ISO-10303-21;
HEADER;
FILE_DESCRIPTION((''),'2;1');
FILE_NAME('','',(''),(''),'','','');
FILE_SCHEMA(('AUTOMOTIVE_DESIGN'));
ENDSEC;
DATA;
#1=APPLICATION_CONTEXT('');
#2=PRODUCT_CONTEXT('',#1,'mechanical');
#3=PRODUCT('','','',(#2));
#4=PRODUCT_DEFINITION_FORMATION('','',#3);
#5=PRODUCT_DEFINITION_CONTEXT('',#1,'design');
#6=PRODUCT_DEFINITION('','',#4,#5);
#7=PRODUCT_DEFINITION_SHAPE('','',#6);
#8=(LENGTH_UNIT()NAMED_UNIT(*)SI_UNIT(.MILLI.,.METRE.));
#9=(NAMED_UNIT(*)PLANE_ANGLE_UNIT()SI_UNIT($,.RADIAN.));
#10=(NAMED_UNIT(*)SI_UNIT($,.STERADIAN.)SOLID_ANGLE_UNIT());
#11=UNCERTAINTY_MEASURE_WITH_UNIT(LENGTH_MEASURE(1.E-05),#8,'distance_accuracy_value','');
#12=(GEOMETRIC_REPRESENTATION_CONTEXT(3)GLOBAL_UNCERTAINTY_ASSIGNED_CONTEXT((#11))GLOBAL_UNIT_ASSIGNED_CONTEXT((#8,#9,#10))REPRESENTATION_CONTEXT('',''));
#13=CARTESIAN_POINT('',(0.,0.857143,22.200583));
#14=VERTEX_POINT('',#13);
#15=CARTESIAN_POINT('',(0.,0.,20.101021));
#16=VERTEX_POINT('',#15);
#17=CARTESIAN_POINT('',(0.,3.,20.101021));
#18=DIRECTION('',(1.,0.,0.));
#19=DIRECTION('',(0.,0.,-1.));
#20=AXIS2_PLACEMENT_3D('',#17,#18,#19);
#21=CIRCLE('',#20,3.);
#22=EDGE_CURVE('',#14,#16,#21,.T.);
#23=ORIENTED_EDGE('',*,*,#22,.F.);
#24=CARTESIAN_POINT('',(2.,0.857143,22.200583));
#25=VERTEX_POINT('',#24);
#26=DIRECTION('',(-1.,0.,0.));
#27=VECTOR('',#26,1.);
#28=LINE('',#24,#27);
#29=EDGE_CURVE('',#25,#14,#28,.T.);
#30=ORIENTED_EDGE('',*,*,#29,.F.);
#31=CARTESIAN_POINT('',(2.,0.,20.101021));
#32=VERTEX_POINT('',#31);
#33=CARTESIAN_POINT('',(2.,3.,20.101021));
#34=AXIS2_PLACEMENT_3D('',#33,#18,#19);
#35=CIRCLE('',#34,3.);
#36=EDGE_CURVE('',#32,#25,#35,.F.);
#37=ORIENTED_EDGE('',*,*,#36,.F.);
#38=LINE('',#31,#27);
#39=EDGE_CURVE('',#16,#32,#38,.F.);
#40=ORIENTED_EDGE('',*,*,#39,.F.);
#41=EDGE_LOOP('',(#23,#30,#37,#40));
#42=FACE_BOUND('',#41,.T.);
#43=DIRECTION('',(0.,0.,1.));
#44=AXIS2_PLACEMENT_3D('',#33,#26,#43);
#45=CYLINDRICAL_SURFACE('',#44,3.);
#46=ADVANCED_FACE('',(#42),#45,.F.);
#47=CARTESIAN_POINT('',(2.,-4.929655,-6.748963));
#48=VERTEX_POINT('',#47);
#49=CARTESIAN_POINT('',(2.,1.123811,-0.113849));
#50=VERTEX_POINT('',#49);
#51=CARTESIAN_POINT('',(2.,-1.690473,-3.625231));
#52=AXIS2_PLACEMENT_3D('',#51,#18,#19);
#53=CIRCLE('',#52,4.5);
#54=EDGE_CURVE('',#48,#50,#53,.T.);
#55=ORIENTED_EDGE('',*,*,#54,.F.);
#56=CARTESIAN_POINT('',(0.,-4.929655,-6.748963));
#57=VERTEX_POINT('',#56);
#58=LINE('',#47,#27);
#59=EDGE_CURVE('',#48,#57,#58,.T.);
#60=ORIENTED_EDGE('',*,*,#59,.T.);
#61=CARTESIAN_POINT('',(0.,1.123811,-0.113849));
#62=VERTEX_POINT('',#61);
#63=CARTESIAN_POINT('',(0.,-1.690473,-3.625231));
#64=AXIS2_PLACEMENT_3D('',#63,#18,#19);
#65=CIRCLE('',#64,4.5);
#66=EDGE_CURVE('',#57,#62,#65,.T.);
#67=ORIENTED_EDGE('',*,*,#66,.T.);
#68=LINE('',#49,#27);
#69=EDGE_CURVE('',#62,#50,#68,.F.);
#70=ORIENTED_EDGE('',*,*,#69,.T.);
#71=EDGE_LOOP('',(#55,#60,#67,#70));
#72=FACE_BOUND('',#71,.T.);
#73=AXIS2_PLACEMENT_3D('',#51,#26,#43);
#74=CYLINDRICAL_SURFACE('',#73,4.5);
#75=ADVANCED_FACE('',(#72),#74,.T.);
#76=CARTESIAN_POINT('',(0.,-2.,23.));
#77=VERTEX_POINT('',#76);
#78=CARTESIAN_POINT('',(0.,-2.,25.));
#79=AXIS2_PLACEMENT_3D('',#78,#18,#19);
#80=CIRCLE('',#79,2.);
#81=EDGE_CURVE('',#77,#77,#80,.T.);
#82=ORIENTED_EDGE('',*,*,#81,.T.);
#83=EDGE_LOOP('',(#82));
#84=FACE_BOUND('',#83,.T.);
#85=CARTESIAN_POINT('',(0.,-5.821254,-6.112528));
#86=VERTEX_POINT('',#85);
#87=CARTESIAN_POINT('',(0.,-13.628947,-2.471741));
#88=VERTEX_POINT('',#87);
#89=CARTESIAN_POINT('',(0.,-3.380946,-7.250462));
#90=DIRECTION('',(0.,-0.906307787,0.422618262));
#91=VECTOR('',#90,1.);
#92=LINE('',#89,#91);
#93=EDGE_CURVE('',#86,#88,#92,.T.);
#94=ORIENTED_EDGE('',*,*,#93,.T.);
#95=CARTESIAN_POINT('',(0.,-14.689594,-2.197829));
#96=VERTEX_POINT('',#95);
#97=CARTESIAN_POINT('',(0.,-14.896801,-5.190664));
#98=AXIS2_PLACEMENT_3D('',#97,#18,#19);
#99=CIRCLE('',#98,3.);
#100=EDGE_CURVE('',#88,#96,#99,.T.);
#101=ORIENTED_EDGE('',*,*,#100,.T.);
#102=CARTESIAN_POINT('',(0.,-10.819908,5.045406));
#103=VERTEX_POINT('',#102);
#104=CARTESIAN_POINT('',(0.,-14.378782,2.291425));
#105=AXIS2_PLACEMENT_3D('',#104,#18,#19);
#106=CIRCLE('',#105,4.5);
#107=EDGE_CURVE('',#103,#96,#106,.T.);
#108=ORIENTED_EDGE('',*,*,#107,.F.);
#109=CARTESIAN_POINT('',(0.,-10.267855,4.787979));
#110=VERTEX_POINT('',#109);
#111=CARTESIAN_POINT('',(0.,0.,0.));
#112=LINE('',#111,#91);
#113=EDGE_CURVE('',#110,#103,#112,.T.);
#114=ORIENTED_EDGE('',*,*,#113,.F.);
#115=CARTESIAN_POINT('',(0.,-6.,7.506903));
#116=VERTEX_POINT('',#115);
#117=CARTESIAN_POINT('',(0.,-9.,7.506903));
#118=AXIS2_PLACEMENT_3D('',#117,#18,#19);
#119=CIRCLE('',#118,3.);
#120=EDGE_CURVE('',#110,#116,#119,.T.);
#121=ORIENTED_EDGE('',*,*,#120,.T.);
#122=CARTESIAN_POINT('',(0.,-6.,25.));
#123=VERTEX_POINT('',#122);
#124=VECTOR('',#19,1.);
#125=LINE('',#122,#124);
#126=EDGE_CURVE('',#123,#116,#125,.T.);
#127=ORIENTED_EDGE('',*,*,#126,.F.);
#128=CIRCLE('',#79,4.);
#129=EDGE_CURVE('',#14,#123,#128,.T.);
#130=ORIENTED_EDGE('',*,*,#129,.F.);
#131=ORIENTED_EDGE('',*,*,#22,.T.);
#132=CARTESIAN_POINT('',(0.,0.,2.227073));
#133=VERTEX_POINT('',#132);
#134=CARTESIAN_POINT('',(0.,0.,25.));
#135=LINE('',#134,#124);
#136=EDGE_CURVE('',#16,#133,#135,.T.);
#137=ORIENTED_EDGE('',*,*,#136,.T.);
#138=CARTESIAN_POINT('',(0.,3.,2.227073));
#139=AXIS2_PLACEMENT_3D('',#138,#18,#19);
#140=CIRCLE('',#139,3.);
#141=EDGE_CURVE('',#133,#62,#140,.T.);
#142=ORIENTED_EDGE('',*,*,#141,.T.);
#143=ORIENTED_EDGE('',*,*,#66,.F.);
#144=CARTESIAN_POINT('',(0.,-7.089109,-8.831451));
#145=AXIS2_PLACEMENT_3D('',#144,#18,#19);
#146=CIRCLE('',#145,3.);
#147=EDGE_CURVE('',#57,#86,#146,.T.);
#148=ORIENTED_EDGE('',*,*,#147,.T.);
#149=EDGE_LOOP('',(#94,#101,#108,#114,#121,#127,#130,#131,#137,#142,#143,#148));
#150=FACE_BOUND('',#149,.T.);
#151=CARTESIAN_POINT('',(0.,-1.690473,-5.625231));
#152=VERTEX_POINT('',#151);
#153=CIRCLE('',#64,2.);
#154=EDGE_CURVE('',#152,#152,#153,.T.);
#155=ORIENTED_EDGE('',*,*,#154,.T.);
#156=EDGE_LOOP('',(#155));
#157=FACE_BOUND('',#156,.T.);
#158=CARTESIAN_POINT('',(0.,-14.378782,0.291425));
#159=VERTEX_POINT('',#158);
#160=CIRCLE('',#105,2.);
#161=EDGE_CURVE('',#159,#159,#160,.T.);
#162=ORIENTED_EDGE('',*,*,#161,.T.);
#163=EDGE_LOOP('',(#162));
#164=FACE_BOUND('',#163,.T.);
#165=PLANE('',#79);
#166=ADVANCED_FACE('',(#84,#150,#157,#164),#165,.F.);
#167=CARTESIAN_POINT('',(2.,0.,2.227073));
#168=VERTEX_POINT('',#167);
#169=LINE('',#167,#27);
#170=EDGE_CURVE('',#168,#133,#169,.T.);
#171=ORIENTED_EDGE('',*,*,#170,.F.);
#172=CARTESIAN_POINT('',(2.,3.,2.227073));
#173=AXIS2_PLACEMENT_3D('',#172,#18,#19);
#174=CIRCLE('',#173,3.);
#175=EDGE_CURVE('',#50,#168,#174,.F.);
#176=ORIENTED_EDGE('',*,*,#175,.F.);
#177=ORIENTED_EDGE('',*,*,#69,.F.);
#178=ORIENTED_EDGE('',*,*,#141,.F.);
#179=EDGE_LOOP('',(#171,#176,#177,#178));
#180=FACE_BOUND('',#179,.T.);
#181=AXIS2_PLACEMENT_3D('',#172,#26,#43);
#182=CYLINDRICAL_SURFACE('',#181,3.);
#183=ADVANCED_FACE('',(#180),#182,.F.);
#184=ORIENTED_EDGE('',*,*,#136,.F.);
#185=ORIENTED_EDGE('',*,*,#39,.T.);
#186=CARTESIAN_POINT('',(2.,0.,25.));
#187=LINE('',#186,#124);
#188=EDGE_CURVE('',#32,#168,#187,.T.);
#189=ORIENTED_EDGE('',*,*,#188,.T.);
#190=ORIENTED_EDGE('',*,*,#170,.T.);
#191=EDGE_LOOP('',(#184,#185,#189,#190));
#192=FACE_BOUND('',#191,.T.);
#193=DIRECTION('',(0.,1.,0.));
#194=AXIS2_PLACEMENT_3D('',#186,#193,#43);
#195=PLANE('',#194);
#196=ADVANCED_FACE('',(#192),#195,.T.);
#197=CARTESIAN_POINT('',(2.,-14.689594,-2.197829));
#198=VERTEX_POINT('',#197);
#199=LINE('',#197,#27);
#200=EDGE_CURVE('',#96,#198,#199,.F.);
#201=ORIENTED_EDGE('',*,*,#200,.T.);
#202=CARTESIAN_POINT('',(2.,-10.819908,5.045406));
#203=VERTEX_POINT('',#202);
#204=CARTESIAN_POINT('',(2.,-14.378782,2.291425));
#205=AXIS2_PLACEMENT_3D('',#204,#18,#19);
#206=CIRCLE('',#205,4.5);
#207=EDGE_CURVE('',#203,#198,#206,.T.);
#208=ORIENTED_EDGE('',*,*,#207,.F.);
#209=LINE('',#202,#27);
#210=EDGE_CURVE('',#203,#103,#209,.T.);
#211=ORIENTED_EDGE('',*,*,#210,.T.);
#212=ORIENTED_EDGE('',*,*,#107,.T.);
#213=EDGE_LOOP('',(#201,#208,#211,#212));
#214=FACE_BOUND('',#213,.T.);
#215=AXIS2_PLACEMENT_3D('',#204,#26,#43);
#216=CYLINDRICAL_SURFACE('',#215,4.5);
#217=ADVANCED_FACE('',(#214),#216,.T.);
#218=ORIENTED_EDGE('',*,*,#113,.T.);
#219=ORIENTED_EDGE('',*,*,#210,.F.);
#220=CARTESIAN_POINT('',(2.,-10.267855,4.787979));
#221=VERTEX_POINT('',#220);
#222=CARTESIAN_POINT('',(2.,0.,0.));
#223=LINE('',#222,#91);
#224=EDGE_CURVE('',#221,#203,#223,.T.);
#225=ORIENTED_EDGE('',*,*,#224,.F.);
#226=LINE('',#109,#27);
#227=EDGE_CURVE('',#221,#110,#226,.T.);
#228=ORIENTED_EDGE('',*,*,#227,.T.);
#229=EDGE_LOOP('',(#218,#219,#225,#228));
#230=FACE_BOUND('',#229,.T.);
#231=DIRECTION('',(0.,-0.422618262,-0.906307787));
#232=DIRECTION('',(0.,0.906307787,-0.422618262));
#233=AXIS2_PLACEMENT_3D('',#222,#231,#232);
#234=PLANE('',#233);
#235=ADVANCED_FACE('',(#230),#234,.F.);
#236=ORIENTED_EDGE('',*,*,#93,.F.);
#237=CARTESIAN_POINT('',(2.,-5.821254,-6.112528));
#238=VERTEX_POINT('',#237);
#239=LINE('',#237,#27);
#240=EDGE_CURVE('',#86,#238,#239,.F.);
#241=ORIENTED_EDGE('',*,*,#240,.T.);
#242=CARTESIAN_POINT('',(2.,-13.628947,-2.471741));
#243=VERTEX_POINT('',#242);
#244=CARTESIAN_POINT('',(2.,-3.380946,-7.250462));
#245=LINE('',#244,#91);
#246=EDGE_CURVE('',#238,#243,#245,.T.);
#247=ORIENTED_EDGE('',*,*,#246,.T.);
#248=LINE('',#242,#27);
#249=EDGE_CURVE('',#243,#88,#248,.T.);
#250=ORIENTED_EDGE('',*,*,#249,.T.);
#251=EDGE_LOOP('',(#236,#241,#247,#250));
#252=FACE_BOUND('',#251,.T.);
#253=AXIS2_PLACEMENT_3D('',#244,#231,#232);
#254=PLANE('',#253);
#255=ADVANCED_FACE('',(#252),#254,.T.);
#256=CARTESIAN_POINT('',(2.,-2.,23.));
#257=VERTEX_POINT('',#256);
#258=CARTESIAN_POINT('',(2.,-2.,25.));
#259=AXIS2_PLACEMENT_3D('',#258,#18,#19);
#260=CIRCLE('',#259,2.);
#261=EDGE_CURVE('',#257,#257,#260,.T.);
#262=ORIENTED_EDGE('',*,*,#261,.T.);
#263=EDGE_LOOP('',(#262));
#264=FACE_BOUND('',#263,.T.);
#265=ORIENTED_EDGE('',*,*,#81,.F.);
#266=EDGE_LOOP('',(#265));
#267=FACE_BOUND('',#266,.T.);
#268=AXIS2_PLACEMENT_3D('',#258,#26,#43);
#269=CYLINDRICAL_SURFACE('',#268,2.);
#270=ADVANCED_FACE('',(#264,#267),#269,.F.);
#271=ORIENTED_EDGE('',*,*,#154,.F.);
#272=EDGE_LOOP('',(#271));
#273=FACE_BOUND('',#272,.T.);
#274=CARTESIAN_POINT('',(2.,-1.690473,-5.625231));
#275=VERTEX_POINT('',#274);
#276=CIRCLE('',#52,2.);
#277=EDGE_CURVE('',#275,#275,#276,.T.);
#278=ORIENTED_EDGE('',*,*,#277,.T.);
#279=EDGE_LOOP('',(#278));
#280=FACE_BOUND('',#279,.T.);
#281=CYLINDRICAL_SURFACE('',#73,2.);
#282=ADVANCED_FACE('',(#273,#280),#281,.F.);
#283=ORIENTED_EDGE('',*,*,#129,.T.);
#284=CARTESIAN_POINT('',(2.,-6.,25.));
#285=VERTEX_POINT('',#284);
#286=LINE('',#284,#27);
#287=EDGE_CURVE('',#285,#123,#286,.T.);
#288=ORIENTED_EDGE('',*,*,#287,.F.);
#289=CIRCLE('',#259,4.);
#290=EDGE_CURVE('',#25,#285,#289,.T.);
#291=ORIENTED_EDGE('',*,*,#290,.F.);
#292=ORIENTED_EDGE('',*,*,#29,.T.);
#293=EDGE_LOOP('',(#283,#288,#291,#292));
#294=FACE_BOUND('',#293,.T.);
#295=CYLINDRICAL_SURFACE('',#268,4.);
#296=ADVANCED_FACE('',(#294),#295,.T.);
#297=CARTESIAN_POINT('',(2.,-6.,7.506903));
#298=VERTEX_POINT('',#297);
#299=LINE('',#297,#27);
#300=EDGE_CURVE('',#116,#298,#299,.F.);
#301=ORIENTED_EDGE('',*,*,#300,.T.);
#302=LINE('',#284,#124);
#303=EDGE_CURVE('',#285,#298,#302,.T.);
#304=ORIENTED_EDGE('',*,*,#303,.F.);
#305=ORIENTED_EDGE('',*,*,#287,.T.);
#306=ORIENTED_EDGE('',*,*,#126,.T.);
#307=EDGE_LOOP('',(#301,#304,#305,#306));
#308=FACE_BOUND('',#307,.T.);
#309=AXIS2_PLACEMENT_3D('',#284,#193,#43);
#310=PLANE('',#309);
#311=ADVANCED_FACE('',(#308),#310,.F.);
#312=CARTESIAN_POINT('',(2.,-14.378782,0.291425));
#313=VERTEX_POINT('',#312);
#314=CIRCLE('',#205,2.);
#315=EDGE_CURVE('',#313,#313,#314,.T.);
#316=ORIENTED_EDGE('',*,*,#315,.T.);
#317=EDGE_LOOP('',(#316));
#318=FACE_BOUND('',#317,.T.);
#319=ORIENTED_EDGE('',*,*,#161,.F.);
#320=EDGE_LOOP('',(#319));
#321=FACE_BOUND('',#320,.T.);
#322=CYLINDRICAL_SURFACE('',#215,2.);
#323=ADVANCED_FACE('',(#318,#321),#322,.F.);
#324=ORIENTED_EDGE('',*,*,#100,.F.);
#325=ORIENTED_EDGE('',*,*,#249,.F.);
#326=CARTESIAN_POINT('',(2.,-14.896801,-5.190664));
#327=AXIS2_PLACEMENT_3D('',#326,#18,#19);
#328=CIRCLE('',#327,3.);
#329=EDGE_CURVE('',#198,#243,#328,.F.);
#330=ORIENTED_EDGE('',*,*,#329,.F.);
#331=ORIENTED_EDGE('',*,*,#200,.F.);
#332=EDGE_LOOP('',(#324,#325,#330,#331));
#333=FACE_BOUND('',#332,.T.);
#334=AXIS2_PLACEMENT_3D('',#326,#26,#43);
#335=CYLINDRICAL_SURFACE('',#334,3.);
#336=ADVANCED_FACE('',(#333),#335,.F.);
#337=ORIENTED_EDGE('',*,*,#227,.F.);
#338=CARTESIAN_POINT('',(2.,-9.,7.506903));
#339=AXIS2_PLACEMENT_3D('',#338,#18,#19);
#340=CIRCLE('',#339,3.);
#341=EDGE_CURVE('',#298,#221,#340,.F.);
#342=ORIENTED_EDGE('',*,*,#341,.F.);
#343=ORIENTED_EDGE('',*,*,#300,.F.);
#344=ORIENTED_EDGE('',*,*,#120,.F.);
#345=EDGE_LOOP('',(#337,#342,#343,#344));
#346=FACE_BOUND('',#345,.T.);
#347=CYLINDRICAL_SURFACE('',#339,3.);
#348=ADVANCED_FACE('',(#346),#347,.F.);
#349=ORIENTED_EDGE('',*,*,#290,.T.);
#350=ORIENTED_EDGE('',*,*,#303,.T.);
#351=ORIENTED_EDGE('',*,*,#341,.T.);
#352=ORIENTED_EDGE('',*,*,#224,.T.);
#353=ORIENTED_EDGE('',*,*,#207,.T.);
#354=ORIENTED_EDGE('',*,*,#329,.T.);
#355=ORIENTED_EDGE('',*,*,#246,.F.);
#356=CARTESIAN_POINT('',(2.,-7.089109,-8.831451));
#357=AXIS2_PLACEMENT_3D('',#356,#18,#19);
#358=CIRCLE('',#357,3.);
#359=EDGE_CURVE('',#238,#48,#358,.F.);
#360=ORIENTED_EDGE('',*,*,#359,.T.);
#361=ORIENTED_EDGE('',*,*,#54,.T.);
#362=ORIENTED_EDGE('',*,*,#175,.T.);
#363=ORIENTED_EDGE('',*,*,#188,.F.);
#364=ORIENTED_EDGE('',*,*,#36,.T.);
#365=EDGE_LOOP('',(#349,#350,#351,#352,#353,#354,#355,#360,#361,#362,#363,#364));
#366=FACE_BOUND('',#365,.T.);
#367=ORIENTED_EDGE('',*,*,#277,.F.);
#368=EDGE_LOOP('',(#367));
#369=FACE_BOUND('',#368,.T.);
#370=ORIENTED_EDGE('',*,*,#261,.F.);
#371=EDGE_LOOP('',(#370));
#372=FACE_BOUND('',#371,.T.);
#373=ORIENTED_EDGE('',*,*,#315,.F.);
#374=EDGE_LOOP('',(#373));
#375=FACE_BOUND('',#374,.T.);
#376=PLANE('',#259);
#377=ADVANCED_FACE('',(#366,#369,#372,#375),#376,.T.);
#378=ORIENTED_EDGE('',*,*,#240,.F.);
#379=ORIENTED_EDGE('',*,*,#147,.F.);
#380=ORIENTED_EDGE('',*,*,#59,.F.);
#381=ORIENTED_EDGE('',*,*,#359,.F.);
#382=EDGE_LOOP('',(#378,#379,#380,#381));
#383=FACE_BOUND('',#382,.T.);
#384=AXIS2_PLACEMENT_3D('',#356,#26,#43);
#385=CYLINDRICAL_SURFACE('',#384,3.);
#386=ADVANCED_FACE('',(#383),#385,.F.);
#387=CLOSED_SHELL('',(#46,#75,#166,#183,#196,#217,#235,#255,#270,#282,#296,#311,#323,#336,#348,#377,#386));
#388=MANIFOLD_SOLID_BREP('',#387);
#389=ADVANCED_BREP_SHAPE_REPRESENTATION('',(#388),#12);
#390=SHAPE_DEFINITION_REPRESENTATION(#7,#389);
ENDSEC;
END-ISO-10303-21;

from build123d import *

# Parameters (mm, degrees)
EXTRUDE_1_DEPTH     = 2
SKETCH_1_3_R        = 2
CUT_EXTRUDE_1_DEPTH = 35.66133887
FILLET_1_R          = 3


with BuildPart() as part:
    # 草图1 → 凸台-拉伸1 (new body)
    with BuildSketch(Plane(origin=(0, 0, 0), x_dir=(0, 0, -1), z_dir=(1, 0, 0))):
        with BuildLine():
            Line((-25, -6), (-25, 0))
            Line((-25, 0), (-21.535898385, 0))
            ThreePointArc((-21.535898385, 0), (-28.464101615, 0), (-25, -6))
        make_face()
        with BuildLine():
            Line((-21.535898385, 0), (-25, 0))
            Line((-25, 0), (-25, -6))
            ThreePointArc((-25, -6), (-22.171572875, -4.828427125), (-21, -2))
            ThreePointArc((-21, -2), (-21.136296695, -0.96472382), (-21.535898385, 0))
        make_face()
        with BuildLine():
            Line((-0.545176611, 0), (-21.535898385, 0))
            ThreePointArc((-21.535898385, 0), (-21.136296695, -0.96472382), (-21, -2))
            ThreePointArc((-21, -2), (-22.171572875, -4.828427125), (-25, -6))
            Line((-25, -6), (-2.797845949, -6))
            Line((-2.797845949, -6), (-0.871249866, -1.868401368))
            ThreePointArc((-0.871249866, -1.868401368), (-0.807766841, -0.916826597), (-0.545176611, 0))
        make_face()
        with BuildLine():
            ThreePointArc((8.125231148, -1.690473047), (4.486383017, 2.726360373), (-0.545176611, 0))
            Line((-0.545176611, 0), (0, 0))
            Line((0, 0), (7.250462296, -3.380946094))
            Line((7.250462296, -3.380946094), (6.37921243, -5.249347462))
            ThreePointArc((6.37921243, -5.249347462), (7.66521356, -3.67252807), (8.125231148, -1.690473047))
        make_face()
        with BuildLine():
            Line((0, 0), (-0.545176611, 0))
            ThreePointArc((-0.545176611, 0), (-0.807766841, -0.916826597), (-0.871249866, -1.868401368))
            Line((-0.871249866, -1.868401368), (0, 0))
        make_face()
        with BuildLine():
            Line((-0.871249866, -1.868401368), (-2.797845949, -6))
            Line((-2.797845949, -6), (0, -6))
            Line((0, -6), (0, -4.356499889))
            ThreePointArc((0, -4.356499889), (-0.621910323, -3.177681615), (-0.871249866, -1.868401368))
        make_face()
        with BuildLine():
            Line((0, -6), (-2.797845949, -6))
            Line((-2.797845949, -6), (-5.045405798, -10.819907651))
            ThreePointArc((-5.045405798, -10.819907651), (-0.389642338, -10.300397024), (2.205056498, -14.200853745))
            Line((2.205056498, -14.200853745), (6.37921243, -5.249347462))
            ThreePointArc((6.37921243, -5.249347462), (3.001481776, -6.147034134), (0, -4.356499889))
            Line((0, -4.356499889), (0, -6))
        make_face()
        with BuildLine():
            Line((7.250462296, -3.380946094), (0, 0))
            Line((0, 0), (0, -4.356499889))
            ThreePointArc((0, -4.356499889), (3.001481776, -6.147034134), (6.37921243, -5.249347462))
            Line((6.37921243, -5.249347462), (7.250462296, -3.380946094))
        make_face()
        with BuildLine():
            Line((0, -4.356499889), (0, 0))
            Line((0, 0), (-0.871249866, -1.868401368))
            ThreePointArc((-0.871249866, -1.868401368), (-0.621910323, -3.177681615), (0, -4.356499889))
        make_face()
        with BuildLine():
            ThreePointArc((2.205056498, -14.200853745), (-0.389642338, -10.300397024), (-5.045405798, -10.819907651))
            Line((-5.045405798, -10.819907651), (-5.916655664, -12.688309019))
            Line((-5.916655664, -12.688309019), (1.333806632, -16.069255112))
            Line((1.333806632, -16.069255112), (2.205056498, -14.200853745))
        make_face()
        with BuildLine():
            Line((-5.916655664, -12.688309019), (-5.045405798, -10.819907651))
            ThreePointArc((-5.045405798, -10.819907651), (-4.27347954, -18.418764477), (2.208575484, -14.378782065))
            ThreePointArc((2.208575484, -14.378782065), (2.207695651, -14.289800508), (2.205056498, -14.200853745))
            Line((2.205056498, -14.200853745), (1.333806632, -16.069255112))
            Line((1.333806632, -16.069255112), (-5.916655664, -12.688309019))
        make_face()
    extrude(amount=EXTRUDE_1_DEPTH)

    # 草图1<3> → 切除-拉伸1 (cut, through all)
    with BuildSketch(Plane(origin=(0, 0, 0), x_dir=(0, 0, -1), z_dir=(1, 0, 0))):
        with Locations((-25, -2)):
            Circle(SKETCH_1_3_R)
        with Locations((3.625231148, -1.690473047)):
            Circle(SKETCH_1_3_R)
        with Locations((-2.291424516, -14.378782065)):
            Circle(SKETCH_1_3_R)
    extrude(amount=CUT_EXTRUDE_1_DEPTH, mode=Mode.SUBTRACT)

    # 圆角1
    fillet_1_edges = [part.edges().sort_by_distance(p)[0] for p in [
        (1, -6, 2.797845949),
        (1, 0, 0.545176611),
        (1, -5.249347462, -6.37921243),
        (1, -14.200853745, -2.205056498),
        (1, 0, 21.535898385),
    ]]
    fillet(fillet_1_edges, radius=FILLET_1_R)


solid = part.part
